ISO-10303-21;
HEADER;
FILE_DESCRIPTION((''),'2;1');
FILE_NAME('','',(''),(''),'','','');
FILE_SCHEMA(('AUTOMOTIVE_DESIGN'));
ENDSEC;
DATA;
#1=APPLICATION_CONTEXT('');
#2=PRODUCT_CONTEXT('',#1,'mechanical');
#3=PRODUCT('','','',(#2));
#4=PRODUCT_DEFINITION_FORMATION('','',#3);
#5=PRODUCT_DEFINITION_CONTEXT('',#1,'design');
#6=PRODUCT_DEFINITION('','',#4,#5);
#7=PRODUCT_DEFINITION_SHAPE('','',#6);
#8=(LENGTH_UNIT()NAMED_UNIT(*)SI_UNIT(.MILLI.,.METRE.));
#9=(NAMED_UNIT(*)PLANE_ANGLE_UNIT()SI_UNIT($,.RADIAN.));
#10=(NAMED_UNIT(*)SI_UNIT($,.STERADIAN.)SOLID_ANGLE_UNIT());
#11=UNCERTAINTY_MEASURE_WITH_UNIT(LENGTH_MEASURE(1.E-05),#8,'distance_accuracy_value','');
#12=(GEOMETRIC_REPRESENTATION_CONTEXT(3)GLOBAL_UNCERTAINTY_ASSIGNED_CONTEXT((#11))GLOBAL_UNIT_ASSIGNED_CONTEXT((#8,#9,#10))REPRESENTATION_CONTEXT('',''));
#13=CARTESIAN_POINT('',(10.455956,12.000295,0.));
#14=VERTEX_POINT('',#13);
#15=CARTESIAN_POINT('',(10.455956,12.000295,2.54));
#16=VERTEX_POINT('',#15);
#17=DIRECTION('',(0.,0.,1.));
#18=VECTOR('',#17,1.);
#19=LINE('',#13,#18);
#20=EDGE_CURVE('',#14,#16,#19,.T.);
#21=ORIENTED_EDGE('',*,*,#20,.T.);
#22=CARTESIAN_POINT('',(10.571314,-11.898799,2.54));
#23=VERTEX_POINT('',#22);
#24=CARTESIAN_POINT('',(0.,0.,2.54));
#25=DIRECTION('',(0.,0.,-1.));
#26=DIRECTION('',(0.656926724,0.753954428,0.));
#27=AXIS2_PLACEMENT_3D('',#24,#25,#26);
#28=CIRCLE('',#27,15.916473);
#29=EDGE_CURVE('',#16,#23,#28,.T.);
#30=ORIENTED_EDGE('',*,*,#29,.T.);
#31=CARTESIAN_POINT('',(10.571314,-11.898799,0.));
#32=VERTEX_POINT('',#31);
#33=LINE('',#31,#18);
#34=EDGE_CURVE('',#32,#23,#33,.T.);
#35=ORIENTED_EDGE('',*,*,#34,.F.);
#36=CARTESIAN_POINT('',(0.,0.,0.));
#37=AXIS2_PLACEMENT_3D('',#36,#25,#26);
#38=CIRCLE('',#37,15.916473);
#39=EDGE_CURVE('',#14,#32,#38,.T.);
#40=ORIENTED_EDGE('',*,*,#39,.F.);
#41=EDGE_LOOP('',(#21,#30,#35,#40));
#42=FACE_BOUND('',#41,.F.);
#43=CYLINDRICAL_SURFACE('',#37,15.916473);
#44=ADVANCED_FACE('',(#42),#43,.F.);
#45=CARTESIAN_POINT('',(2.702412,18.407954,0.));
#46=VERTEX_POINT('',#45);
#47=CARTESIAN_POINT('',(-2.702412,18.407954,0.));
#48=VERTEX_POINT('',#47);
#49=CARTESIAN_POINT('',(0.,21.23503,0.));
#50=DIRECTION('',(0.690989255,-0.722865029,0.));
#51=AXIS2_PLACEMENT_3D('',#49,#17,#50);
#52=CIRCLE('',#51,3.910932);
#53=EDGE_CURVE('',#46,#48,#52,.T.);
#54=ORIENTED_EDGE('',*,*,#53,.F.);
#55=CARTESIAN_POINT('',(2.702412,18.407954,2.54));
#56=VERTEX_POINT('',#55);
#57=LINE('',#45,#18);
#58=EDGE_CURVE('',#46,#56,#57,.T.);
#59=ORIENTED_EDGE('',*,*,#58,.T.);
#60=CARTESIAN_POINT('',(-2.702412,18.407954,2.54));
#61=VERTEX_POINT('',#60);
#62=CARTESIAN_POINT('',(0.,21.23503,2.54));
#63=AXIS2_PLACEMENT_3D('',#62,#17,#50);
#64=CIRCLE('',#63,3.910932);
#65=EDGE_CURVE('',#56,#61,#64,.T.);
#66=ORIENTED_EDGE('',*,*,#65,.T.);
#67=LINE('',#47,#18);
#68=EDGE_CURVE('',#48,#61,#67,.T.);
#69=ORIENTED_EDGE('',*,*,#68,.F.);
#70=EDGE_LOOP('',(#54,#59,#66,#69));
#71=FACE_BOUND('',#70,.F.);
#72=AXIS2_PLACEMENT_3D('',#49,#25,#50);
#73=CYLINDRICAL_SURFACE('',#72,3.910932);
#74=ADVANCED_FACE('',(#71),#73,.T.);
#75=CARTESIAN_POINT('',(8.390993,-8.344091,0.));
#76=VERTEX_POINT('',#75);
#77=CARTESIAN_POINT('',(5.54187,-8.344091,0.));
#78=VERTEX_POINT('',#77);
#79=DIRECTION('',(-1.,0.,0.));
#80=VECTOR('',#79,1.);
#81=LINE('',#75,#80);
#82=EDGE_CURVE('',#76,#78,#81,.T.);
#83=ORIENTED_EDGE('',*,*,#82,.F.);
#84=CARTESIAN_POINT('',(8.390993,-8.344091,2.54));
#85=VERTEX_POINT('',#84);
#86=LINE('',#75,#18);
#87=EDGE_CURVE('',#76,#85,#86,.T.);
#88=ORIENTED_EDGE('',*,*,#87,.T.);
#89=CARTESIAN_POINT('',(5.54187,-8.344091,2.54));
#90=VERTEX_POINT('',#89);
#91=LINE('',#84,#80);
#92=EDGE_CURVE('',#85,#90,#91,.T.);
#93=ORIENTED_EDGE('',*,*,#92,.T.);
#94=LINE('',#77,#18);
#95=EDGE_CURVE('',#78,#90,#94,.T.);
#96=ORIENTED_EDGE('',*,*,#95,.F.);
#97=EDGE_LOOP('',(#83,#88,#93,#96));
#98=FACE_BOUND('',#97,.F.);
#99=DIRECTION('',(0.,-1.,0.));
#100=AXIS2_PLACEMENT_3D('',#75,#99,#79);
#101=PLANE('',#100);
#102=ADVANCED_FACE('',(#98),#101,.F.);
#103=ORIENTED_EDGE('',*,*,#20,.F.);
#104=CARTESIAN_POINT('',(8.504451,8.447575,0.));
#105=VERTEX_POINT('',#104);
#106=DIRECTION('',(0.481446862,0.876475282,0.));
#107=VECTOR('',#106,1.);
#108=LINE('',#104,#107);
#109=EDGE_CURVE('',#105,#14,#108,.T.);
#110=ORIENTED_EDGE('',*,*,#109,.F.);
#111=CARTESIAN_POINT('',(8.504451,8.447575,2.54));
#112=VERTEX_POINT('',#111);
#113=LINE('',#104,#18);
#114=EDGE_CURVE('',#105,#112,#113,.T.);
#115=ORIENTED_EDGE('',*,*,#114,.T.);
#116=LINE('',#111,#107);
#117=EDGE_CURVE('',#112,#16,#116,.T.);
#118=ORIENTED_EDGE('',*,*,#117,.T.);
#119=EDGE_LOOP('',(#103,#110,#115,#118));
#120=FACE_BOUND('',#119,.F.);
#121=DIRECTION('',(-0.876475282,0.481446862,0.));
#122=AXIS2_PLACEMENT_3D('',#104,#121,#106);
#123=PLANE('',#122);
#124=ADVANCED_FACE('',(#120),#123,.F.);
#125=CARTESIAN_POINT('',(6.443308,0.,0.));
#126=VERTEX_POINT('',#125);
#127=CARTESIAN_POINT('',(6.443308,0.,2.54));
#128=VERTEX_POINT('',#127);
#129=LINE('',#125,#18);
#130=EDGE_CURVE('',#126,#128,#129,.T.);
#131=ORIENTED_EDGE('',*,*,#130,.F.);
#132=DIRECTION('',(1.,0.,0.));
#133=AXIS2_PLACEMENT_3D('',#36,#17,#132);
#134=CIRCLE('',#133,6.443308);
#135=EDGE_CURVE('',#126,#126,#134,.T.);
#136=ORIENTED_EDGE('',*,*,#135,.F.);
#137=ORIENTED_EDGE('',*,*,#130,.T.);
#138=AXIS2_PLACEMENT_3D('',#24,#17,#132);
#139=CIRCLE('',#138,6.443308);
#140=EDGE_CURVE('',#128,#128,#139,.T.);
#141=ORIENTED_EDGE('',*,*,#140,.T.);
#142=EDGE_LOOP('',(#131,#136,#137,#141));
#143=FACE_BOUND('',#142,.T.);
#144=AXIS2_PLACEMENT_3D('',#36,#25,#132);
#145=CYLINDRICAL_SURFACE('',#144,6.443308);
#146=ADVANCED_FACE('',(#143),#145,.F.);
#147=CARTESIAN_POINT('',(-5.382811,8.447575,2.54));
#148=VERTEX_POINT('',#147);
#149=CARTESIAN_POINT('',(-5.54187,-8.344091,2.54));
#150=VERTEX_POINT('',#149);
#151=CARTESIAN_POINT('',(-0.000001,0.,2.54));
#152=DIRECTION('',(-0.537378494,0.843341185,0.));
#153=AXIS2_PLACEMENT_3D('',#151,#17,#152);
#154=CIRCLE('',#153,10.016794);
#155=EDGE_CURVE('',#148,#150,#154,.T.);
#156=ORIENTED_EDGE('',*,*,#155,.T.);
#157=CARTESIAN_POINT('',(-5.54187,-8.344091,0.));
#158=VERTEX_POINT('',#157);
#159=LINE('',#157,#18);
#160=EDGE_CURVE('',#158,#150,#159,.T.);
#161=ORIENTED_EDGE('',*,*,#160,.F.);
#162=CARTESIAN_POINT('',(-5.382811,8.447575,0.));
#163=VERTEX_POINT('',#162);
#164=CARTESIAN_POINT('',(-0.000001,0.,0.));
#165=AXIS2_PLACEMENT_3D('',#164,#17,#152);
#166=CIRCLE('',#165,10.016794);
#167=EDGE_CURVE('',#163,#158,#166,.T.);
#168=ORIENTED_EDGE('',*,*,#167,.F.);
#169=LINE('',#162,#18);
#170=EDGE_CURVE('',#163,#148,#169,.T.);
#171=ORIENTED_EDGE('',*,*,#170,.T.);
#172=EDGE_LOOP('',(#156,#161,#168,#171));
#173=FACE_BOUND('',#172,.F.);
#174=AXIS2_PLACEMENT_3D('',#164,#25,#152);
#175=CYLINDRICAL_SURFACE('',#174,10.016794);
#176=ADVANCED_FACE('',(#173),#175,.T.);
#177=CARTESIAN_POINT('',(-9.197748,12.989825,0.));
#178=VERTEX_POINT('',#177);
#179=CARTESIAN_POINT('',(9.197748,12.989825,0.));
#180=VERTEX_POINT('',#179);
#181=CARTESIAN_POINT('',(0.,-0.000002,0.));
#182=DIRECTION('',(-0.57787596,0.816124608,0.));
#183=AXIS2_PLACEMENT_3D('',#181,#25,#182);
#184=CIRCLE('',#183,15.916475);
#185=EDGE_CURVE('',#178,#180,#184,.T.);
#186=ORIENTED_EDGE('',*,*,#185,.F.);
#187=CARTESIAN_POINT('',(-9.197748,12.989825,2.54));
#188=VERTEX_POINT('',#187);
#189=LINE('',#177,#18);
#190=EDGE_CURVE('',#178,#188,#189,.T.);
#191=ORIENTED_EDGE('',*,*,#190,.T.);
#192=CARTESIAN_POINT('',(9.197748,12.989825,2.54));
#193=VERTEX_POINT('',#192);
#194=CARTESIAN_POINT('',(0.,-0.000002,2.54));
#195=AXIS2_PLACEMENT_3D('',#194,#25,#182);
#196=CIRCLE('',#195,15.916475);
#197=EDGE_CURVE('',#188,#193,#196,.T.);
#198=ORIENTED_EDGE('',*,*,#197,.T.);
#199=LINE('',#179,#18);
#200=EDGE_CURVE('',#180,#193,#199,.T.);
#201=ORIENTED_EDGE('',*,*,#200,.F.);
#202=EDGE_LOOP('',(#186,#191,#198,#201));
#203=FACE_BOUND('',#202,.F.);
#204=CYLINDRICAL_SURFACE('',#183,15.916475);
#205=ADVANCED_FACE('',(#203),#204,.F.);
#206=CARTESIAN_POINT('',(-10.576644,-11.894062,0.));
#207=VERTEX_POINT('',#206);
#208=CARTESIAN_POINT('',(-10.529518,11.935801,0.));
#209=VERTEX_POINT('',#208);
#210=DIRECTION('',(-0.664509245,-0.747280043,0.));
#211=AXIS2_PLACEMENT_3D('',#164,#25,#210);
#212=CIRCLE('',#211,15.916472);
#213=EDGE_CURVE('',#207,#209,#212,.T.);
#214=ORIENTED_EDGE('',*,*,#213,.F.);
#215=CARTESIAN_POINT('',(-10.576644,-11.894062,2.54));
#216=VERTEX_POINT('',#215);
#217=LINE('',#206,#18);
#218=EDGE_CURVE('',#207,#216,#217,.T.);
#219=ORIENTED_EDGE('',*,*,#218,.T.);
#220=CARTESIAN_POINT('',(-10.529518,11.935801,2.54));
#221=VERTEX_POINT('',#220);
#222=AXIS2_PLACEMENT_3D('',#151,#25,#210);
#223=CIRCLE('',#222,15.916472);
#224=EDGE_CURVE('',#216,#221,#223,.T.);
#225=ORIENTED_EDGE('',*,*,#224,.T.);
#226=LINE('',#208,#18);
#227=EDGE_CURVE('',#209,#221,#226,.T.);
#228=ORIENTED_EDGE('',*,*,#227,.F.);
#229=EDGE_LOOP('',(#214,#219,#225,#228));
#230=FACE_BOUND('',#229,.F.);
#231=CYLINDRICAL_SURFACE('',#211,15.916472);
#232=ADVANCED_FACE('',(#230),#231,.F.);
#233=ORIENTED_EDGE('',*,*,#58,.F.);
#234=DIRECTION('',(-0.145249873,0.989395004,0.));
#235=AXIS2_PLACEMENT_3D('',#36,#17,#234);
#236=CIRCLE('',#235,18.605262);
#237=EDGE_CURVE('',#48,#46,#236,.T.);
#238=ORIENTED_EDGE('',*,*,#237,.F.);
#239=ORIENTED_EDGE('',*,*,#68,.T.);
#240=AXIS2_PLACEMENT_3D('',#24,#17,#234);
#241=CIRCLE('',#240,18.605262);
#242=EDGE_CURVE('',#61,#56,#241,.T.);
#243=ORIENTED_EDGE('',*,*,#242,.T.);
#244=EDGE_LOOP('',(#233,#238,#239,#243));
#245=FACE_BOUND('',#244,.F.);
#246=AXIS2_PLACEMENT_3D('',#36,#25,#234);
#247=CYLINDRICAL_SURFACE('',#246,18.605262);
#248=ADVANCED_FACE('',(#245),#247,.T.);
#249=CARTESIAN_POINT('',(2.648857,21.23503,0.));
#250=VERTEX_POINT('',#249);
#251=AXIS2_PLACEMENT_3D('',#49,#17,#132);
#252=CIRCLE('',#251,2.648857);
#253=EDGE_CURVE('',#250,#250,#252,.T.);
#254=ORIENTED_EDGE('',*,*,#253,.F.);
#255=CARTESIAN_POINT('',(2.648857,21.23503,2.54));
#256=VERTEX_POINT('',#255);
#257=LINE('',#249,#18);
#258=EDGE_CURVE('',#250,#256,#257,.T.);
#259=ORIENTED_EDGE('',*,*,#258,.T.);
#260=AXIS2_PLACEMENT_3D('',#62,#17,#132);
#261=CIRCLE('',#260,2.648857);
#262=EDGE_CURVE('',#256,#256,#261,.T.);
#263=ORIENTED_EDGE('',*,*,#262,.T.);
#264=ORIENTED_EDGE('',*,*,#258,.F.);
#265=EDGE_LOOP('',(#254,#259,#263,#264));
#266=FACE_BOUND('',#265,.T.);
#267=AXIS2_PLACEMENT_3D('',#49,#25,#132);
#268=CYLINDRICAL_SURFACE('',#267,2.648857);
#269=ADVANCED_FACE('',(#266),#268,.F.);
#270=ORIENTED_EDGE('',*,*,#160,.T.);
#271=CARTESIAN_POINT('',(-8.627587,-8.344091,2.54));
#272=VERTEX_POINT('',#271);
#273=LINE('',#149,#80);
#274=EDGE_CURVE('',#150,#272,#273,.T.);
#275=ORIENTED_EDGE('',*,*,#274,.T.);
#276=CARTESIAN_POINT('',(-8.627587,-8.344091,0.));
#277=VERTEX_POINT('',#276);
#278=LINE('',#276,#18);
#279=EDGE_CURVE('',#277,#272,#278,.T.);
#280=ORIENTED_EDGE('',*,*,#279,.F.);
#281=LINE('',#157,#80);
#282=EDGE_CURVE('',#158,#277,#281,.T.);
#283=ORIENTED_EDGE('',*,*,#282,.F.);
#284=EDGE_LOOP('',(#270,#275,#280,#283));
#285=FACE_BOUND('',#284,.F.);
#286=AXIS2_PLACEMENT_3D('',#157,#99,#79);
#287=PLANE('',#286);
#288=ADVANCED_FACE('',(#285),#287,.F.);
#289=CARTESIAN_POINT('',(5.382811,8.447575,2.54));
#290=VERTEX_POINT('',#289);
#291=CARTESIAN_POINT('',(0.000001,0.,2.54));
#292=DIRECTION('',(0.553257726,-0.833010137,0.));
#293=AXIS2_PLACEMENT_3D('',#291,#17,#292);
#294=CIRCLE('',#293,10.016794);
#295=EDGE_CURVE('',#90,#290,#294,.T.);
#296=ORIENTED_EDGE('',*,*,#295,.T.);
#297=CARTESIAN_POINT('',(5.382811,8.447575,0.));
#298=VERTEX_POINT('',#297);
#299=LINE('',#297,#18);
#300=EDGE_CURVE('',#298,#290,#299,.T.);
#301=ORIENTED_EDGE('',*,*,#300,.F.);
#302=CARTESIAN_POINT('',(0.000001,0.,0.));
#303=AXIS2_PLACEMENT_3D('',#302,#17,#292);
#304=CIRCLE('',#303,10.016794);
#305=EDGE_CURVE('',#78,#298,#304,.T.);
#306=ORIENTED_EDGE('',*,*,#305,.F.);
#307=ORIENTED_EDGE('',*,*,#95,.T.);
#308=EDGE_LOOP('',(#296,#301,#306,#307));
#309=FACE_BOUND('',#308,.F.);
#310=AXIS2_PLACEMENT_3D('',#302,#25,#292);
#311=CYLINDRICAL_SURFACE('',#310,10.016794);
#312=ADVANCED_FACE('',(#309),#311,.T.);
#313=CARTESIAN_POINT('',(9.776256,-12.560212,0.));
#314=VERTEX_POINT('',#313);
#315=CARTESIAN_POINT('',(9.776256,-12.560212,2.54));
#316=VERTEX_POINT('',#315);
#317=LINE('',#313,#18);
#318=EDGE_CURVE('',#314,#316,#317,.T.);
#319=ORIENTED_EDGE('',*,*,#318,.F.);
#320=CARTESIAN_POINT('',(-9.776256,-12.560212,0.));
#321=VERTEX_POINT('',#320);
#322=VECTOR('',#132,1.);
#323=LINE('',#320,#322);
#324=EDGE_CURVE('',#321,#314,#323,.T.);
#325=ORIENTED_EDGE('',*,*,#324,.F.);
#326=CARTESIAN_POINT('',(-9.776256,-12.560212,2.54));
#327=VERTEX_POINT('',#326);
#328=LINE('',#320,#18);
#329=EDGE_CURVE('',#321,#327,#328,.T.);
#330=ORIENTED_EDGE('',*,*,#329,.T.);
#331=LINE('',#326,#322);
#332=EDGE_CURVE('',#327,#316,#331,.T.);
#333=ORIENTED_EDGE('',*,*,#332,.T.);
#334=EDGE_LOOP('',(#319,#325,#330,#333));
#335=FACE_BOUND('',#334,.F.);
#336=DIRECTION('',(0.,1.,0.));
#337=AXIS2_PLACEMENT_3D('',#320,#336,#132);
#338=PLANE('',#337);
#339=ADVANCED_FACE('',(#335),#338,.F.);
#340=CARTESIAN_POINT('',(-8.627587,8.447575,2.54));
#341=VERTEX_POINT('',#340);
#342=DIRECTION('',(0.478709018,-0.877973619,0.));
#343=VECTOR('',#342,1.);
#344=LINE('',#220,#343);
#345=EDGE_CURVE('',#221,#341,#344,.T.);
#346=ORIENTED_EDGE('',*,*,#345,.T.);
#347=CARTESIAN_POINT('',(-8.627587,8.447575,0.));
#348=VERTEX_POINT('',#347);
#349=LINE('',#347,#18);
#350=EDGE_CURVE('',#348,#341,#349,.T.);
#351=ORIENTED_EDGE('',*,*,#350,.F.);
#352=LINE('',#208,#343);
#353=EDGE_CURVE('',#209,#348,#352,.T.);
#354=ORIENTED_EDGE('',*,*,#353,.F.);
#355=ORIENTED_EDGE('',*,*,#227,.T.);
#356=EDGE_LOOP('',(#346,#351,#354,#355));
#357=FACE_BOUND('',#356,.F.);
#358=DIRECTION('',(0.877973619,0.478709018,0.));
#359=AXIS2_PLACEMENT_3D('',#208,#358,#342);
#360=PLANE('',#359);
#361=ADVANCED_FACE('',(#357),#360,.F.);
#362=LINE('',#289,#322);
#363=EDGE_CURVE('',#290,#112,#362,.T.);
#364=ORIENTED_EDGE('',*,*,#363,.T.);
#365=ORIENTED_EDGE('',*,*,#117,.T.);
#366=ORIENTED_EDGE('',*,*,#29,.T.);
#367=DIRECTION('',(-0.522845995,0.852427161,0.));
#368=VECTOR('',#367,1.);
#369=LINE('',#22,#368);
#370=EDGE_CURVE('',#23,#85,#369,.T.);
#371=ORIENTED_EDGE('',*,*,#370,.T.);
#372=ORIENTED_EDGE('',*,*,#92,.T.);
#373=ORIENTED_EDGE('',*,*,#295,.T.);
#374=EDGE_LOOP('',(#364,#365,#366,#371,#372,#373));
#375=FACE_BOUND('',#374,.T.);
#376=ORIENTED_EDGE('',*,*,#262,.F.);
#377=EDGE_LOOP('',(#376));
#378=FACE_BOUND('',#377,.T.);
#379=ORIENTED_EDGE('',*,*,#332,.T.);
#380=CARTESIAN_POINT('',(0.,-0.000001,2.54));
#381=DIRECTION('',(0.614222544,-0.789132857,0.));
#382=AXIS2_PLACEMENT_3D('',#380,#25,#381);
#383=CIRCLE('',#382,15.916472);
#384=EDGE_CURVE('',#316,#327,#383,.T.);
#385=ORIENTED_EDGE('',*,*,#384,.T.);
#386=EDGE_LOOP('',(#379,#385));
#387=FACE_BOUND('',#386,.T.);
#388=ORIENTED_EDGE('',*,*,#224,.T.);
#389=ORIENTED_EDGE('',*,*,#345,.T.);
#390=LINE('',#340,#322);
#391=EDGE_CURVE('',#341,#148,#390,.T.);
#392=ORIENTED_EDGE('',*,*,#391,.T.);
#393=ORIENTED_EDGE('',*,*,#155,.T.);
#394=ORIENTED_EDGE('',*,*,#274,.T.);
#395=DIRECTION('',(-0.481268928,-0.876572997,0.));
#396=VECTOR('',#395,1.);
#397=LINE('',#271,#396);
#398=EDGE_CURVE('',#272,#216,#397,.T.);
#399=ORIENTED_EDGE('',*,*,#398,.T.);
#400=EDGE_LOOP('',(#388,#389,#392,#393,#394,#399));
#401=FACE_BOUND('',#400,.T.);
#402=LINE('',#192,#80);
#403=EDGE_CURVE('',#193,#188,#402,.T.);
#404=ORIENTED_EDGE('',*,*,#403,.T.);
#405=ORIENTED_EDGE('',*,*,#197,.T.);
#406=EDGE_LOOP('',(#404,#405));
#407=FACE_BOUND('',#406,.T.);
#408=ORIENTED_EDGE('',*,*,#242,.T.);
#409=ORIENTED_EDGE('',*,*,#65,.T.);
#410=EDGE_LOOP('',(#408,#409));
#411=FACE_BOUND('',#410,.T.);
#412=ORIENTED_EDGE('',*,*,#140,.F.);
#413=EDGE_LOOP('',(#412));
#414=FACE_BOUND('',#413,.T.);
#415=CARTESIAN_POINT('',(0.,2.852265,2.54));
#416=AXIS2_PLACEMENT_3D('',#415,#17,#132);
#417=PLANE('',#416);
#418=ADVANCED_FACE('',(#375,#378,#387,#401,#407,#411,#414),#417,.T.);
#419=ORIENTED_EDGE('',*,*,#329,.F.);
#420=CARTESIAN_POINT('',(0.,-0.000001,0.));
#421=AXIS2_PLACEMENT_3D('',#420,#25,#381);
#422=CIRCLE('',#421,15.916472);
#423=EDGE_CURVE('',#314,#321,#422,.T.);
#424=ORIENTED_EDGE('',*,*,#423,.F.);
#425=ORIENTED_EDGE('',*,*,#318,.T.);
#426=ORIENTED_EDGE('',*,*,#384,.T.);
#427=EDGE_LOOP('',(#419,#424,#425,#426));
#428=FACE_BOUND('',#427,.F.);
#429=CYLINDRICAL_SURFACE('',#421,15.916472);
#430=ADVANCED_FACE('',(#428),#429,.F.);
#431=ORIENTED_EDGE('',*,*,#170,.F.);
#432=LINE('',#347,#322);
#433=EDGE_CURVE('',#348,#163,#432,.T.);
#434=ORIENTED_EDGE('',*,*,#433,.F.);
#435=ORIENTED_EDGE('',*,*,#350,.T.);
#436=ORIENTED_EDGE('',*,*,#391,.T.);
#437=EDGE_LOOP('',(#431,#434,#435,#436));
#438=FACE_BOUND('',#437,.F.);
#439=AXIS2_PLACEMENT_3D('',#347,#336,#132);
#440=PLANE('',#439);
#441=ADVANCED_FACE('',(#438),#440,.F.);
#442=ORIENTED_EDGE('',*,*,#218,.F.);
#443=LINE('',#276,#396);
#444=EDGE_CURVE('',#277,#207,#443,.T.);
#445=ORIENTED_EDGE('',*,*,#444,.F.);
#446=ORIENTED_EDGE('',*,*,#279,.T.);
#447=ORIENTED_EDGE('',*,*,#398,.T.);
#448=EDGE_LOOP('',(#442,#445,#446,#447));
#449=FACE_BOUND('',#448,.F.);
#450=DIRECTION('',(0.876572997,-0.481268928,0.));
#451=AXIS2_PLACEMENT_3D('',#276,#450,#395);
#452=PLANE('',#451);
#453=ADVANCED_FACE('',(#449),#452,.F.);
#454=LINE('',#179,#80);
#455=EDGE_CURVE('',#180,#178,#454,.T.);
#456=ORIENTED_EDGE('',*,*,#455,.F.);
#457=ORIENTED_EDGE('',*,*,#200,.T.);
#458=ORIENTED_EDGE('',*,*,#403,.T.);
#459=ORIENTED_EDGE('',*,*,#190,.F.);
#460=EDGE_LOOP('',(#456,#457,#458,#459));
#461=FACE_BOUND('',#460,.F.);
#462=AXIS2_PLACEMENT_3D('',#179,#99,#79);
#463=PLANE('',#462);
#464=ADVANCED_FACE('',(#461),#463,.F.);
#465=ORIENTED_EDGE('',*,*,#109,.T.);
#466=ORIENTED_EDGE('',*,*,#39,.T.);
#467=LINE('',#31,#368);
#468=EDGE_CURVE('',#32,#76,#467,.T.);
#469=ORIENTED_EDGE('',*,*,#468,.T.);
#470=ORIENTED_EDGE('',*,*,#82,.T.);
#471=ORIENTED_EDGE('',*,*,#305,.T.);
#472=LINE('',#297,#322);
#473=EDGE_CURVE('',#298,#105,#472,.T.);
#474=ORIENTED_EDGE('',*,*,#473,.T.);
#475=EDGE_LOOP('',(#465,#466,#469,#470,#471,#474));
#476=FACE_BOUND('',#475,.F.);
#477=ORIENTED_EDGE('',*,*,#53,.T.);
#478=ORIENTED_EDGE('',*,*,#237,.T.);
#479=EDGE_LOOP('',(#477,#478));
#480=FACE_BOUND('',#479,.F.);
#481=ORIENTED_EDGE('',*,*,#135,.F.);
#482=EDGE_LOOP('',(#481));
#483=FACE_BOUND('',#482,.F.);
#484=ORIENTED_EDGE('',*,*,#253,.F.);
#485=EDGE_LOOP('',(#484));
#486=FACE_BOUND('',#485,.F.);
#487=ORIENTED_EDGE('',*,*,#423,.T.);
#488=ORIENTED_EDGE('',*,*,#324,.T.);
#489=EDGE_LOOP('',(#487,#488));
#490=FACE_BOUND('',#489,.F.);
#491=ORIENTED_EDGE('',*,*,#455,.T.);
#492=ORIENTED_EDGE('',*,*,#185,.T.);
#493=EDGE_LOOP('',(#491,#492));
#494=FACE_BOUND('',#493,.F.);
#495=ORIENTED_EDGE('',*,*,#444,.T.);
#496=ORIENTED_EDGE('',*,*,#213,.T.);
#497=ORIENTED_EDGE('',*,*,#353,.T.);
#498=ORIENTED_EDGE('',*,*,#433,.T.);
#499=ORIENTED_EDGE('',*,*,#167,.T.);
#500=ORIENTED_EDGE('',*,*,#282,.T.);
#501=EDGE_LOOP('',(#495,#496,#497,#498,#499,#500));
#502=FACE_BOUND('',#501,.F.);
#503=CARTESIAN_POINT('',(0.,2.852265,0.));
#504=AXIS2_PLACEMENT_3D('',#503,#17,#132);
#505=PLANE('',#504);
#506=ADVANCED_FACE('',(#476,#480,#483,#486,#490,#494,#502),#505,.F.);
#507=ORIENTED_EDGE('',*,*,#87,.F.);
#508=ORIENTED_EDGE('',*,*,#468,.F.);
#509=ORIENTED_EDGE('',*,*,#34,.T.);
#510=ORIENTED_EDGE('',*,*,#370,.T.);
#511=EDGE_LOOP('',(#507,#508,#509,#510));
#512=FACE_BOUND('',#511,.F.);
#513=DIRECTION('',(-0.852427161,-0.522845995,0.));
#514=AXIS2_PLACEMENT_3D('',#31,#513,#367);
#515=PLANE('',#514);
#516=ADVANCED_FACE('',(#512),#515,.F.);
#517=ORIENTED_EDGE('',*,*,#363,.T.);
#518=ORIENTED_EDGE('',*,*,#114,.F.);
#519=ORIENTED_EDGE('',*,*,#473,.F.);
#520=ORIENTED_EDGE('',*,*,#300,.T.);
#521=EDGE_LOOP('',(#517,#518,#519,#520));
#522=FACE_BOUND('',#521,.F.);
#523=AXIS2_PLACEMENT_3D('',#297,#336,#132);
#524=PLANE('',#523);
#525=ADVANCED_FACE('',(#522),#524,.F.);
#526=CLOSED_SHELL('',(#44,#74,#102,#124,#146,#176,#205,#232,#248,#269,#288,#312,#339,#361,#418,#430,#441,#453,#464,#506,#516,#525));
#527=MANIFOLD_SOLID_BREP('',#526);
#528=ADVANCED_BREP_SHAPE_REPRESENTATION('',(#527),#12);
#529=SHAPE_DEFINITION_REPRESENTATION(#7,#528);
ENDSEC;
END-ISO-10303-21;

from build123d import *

# Parameters (mm, degrees)
F0_R     = 6.443308
F0_R_2   = 2.648857
F1_DEPTH = 2.54


with BuildPart() as f1:
    # F0 (on Top) → F1 (new body)
    with BuildSketch(Plane.XY):
        with BuildLine():
            ThreePointArc((-2.702412, 18.407954), (0, -18.605262), (2.702412, 18.407954))
            ThreePointArc((2.702412, 18.407954), (0, 25.145962), (-2.702412, 18.407954))
        make_face()
        with BuildLine():
            ThreePointArc((-10.576644, -11.894062), (-15.916442, 0.031476), (-10.529518, 11.935801))
            Line((-10.529518, 11.935801), (-8.627587, 8.447575))
            Line((-8.627587, 8.447575), (-5.382811, 8.447575))
            ThreePointArc((-5.382811, 8.447575), (-10.016346, 0.09488), (-5.54187, -8.344091))
            Line((-5.54187, -8.344091), (-8.627587, -8.344091))
            Line((-8.627587, -8.344091), (-10.576644, -11.894062))
        make_face(mode=Mode.SUBTRACT)
        with BuildLine():
            ThreePointArc((9.776256, -12.560212), (0, -15.916473), (-9.776256, -12.560212))
            Line((-9.776256, -12.560212), (9.776256, -12.560212))
        make_face(mode=Mode.SUBTRACT)
        Circle(F0_R, mode=Mode.SUBTRACT)
        with BuildLine():
            Line((5.382811, 8.447575), (8.504451, 8.447575))
            Line((8.504451, 8.447575), (10.455956, 12.000295))
            ThreePointArc((10.455956, 12.000295), (15.916287, 0.076826), (10.571314, -11.898799))
            Line((10.571314, -11.898799), (8.390993, -8.344091))
            Line((8.390993, -8.344091), (5.54187, -8.344091))
            ThreePointArc((5.54187, -8.344091), (10.016346, 0.09488), (5.382811, 8.447575))
        make_face(mode=Mode.SUBTRACT)
        with BuildLine():
            ThreePointArc((-9.197748, 12.989825), (0, 15.916473), (9.197748, 12.989825))
            Line((9.197748, 12.989825), (-9.197748, 12.989825))
        make_face(mode=Mode.SUBTRACT)
        with Locations((0, 21.23503)):
            Circle(F0_R_2, mode=Mode.SUBTRACT)
    extrude(amount=F1_DEPTH)


solid = f1.part
